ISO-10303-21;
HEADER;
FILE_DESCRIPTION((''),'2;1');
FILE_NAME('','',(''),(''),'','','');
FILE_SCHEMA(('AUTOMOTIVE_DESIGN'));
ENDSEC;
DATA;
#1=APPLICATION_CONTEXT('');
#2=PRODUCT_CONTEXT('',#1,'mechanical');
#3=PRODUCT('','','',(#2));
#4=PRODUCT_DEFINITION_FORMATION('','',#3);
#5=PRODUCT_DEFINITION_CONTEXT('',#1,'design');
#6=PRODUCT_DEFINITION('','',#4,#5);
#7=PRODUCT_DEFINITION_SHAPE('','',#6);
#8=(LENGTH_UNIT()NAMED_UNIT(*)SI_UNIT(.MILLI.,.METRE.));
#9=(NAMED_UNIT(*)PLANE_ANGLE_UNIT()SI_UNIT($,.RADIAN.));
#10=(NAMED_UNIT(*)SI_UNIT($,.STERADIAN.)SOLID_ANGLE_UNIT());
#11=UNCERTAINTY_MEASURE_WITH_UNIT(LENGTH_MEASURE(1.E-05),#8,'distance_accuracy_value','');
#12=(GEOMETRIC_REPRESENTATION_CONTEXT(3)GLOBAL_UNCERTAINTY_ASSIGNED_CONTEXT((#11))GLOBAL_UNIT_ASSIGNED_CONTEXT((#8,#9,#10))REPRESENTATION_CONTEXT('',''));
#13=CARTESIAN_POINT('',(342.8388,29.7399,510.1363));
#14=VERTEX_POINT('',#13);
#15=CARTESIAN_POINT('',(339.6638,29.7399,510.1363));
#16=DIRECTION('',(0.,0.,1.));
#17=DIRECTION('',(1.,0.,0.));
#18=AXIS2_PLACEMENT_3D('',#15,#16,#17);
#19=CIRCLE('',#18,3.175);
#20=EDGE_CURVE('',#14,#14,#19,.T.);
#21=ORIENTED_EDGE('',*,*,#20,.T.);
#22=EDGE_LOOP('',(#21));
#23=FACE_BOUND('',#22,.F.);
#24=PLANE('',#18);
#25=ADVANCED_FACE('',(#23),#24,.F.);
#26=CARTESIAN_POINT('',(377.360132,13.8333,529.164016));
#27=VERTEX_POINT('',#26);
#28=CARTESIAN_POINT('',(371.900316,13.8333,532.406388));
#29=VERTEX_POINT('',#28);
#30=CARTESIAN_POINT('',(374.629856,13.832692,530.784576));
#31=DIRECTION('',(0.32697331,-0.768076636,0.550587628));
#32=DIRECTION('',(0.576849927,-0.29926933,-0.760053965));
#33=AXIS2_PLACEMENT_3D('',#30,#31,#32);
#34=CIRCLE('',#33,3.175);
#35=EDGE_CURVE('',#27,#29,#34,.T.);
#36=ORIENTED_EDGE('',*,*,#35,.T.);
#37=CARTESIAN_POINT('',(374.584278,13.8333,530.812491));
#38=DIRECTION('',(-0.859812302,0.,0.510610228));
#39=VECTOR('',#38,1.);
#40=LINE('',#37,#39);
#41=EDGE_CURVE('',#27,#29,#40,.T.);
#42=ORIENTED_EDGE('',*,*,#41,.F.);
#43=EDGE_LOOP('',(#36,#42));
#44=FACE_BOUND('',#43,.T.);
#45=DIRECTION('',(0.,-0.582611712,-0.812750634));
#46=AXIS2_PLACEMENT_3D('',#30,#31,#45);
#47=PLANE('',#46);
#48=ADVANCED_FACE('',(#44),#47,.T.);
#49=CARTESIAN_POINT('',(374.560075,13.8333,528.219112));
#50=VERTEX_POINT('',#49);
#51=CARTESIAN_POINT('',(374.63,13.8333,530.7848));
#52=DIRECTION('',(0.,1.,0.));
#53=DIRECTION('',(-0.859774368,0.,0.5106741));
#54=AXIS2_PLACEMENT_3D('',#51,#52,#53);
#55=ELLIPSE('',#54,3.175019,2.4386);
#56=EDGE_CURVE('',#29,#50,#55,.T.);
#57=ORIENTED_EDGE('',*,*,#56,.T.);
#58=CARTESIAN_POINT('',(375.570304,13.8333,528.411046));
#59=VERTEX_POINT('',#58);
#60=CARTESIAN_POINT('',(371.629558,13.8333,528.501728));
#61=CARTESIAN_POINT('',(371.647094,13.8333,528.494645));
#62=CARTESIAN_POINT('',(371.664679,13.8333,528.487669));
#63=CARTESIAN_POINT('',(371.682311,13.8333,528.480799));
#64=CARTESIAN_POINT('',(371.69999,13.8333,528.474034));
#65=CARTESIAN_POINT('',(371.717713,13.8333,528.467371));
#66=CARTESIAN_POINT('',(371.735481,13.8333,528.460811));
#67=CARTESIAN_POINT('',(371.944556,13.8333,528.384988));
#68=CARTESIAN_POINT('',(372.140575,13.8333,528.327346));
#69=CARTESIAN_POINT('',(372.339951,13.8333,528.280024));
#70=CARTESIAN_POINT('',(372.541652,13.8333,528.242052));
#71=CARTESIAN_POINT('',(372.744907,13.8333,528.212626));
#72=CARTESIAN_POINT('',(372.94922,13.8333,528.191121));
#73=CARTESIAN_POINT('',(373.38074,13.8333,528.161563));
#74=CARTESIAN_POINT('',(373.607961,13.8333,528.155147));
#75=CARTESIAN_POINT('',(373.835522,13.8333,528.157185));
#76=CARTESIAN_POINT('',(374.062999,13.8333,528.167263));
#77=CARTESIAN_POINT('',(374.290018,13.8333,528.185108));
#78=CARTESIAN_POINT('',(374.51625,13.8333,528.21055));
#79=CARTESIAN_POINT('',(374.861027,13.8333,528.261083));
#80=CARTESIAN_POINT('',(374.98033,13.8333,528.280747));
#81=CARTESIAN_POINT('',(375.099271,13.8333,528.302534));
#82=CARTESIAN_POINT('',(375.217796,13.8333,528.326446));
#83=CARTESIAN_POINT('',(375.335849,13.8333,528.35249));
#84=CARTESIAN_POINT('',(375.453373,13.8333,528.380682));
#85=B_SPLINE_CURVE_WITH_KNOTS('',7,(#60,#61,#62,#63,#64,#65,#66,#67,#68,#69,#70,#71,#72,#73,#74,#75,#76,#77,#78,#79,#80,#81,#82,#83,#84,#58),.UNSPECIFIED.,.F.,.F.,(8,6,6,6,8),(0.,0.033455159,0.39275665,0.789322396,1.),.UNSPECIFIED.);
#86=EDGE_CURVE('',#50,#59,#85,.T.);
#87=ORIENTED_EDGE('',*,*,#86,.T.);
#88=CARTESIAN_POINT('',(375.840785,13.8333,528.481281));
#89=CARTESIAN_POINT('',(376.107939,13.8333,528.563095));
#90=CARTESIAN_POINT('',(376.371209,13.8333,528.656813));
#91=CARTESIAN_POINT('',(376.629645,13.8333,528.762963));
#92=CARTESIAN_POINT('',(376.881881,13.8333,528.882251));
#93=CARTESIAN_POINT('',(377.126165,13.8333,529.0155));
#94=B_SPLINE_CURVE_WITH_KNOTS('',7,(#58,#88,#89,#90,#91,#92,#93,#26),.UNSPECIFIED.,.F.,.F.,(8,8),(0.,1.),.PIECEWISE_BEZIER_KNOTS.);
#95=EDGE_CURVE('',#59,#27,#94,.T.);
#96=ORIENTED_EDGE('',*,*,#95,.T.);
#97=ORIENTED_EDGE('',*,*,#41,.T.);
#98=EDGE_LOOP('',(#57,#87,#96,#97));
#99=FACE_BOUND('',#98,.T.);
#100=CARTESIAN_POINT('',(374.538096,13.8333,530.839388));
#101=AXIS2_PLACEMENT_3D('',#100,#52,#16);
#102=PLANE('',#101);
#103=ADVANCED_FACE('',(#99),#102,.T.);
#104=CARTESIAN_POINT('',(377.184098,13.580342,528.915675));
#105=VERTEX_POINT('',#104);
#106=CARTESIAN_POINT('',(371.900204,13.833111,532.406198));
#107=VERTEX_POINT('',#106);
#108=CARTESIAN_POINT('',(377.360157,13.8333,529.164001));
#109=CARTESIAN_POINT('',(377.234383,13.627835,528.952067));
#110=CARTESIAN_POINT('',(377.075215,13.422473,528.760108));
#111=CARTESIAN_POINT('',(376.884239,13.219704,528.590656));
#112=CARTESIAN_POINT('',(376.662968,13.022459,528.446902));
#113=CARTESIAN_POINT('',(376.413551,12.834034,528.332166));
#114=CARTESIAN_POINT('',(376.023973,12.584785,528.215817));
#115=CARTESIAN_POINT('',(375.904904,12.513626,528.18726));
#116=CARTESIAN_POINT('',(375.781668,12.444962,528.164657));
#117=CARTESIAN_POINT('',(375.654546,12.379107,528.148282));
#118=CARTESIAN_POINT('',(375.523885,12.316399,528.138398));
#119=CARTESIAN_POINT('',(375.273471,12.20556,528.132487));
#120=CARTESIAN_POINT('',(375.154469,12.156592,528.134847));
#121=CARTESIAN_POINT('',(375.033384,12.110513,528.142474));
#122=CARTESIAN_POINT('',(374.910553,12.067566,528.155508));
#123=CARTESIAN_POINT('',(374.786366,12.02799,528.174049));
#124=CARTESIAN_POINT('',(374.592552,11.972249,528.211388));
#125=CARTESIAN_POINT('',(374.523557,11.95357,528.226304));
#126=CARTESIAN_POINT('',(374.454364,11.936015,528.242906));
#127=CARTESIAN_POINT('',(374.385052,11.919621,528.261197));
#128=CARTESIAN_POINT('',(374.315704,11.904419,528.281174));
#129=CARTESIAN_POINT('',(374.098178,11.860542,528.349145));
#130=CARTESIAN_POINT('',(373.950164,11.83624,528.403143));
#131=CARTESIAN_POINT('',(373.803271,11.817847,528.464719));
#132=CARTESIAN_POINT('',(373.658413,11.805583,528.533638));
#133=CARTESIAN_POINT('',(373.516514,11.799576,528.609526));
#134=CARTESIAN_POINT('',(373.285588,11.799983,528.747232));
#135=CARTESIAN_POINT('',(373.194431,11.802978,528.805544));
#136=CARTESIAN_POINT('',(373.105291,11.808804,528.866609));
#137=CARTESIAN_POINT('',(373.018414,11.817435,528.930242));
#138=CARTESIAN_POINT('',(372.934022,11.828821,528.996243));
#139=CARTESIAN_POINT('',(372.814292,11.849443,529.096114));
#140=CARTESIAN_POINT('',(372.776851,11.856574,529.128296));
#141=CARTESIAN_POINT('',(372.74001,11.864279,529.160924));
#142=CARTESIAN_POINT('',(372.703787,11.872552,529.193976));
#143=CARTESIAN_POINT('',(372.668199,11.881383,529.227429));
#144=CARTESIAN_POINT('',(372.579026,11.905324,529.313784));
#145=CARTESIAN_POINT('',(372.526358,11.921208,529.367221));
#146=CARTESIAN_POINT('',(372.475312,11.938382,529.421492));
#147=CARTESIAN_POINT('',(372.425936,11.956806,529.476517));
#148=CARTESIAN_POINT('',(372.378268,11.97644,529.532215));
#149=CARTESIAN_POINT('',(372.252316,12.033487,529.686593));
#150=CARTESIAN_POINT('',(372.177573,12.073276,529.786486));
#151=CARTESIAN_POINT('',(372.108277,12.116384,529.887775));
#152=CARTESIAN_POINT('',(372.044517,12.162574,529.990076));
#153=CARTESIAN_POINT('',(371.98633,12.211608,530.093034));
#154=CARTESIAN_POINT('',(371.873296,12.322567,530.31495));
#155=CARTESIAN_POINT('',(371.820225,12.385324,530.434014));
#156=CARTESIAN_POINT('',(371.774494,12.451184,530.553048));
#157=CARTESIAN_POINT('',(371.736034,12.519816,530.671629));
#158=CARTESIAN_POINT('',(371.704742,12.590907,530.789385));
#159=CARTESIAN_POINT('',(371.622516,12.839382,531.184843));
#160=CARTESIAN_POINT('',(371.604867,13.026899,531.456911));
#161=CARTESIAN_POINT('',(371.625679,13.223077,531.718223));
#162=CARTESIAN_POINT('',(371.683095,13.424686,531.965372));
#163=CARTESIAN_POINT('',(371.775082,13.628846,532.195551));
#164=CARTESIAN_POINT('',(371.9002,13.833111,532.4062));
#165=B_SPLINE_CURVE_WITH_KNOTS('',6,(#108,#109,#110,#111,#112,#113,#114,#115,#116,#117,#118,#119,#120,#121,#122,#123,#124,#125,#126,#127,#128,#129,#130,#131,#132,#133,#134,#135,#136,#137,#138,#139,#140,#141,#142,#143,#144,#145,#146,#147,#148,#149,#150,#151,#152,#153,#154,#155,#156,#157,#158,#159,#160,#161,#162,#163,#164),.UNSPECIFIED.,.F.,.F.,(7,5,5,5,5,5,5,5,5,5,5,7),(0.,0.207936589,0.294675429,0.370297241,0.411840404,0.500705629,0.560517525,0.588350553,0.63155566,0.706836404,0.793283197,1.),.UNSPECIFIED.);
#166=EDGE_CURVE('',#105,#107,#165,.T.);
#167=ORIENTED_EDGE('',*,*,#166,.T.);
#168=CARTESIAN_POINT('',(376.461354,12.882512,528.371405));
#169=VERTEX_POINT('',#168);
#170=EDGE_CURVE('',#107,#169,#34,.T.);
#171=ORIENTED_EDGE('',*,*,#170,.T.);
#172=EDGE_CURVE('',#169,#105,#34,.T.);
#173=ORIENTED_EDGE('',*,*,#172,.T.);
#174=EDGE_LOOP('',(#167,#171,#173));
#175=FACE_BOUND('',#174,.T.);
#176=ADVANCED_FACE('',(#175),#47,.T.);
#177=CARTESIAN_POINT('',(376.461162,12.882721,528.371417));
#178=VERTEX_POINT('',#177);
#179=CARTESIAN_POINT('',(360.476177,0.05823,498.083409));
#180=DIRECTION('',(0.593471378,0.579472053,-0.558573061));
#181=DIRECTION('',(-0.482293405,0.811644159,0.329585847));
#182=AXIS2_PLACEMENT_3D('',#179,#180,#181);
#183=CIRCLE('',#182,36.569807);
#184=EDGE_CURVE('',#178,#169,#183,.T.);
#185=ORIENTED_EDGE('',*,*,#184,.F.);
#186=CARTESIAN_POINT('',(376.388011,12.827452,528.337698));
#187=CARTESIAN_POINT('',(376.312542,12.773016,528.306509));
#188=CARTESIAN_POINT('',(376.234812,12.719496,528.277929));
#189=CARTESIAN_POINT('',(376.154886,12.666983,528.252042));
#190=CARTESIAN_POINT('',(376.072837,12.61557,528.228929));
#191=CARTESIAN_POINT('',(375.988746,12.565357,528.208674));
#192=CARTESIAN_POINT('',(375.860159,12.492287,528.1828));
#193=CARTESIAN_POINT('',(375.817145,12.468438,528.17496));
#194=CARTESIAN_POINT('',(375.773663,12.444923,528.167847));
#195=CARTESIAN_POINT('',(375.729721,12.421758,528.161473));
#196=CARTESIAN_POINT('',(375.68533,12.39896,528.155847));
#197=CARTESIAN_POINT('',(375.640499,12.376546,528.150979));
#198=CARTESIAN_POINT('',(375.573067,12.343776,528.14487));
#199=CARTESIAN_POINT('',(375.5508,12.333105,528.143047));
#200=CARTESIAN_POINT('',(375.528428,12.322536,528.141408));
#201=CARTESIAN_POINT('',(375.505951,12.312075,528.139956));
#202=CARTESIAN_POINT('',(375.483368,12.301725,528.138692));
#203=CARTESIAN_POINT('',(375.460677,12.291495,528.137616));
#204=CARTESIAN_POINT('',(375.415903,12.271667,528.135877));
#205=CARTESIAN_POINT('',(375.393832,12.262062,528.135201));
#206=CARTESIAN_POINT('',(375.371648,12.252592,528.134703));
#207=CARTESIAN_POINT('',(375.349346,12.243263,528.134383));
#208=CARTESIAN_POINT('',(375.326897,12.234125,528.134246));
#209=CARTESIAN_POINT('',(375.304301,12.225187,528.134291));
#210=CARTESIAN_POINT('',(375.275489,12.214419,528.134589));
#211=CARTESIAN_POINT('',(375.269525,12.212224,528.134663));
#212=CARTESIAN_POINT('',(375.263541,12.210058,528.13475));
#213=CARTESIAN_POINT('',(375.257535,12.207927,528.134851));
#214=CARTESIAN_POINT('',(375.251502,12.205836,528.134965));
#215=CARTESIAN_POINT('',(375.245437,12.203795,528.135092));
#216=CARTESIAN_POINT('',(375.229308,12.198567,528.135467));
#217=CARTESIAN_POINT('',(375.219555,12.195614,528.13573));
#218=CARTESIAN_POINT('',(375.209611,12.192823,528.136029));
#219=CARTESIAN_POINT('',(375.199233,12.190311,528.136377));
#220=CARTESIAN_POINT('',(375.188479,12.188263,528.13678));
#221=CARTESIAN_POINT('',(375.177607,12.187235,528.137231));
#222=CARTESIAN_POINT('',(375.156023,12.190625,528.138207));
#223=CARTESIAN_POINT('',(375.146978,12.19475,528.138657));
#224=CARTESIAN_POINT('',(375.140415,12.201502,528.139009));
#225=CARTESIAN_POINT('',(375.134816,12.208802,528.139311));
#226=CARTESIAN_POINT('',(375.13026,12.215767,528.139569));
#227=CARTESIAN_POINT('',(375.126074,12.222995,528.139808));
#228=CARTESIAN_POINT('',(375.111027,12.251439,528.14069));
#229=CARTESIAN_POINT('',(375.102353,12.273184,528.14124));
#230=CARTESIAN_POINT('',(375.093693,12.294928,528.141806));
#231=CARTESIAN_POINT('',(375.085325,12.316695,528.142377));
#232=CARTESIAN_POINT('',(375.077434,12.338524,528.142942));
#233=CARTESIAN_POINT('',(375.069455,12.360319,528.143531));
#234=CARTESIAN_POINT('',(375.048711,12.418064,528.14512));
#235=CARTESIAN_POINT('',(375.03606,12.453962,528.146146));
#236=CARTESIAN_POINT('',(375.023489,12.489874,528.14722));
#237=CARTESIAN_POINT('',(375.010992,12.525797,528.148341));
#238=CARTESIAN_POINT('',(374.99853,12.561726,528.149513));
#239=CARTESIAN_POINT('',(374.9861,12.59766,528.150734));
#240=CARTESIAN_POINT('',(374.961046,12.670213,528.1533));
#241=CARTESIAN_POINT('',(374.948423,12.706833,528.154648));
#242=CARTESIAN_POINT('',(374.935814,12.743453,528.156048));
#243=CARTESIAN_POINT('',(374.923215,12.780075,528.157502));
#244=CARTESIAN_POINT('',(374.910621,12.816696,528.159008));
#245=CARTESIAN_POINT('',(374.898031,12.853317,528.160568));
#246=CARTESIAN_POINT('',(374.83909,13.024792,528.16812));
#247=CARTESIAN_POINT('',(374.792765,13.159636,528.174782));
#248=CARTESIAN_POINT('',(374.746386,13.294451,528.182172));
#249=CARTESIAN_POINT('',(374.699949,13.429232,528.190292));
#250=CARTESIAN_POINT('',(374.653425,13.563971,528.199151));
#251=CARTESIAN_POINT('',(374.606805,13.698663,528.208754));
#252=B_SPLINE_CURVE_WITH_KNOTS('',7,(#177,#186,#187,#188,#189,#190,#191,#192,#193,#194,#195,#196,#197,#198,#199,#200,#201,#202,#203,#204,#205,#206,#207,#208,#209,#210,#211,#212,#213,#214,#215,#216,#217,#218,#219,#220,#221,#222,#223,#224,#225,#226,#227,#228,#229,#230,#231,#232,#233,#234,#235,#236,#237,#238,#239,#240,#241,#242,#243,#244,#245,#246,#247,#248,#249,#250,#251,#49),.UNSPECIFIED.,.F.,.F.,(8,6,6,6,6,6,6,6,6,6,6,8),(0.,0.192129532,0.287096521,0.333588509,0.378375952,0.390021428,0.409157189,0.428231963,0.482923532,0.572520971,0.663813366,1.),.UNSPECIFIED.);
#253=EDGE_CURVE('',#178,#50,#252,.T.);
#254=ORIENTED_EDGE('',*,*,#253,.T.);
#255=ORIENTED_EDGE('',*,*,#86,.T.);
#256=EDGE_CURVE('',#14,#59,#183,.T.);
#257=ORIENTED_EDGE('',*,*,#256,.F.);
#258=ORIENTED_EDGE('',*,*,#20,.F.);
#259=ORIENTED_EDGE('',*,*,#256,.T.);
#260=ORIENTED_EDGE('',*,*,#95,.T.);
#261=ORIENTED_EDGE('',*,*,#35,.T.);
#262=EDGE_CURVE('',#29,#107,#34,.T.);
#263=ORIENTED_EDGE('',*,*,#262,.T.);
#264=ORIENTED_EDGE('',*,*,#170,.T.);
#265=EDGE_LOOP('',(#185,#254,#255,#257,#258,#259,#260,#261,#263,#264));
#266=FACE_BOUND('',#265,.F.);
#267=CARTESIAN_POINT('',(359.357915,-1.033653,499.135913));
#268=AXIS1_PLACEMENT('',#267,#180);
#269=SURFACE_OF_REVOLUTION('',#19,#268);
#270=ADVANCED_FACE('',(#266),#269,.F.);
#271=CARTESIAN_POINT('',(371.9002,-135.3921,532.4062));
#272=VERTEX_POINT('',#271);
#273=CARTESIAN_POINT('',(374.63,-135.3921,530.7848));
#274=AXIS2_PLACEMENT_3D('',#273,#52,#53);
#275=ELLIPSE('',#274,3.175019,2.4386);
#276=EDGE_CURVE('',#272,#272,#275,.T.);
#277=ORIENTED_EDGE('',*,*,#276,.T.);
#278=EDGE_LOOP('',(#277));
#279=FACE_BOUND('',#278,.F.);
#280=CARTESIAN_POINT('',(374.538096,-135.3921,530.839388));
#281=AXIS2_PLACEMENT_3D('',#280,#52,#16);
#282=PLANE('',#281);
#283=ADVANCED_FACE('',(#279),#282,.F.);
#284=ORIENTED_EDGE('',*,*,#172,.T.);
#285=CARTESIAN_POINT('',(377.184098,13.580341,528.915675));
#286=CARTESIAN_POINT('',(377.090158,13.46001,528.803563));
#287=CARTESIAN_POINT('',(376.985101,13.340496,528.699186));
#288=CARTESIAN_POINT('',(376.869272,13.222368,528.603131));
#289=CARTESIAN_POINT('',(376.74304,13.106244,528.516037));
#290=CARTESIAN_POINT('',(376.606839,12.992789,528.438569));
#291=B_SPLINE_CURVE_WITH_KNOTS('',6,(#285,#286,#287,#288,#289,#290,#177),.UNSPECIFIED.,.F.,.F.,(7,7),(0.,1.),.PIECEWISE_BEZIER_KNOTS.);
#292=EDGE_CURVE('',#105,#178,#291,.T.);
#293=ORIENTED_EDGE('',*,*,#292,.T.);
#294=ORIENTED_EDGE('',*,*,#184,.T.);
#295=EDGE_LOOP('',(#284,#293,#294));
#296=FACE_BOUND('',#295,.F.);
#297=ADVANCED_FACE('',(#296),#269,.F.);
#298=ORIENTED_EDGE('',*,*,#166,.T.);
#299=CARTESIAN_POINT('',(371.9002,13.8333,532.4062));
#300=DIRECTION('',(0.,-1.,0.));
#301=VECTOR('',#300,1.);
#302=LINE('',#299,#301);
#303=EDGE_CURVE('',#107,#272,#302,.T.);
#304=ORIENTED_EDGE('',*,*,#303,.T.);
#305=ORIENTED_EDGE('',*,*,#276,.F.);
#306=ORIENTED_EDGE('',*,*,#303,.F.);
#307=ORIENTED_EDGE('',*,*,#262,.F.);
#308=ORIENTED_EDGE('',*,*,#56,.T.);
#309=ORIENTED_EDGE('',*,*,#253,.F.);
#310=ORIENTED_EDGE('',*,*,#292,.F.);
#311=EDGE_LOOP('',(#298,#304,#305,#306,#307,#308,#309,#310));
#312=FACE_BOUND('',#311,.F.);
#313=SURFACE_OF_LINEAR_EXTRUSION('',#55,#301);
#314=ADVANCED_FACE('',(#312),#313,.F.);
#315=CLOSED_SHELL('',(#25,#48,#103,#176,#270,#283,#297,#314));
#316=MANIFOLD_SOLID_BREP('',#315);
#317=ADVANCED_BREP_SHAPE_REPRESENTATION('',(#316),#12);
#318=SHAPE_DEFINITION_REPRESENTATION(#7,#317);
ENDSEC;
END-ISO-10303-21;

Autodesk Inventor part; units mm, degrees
ref_plane "YZ Plane" through (0, 0, 0) normal (1, 0, 0) x (0, 1, 0)
ref_plane "XZ Plane" through (0, 0, 0) normal (0, 1, 0) x (-1, 0, 0)
ref_plane "Work Plane1" through (339.6638, 29.7399, 510.1363) normal (0.5935, 0.5795, -0.5586) x (0.8017, -0.3644, 0.4737)
sketch "Sketch1" plane through (339.6638, 29.7399, 510.1363) normal (0.5935, 0.5795, -0.5586) x (0.8017, -0.3644, 0.4737)
  arc A0 (0, 0) -> (43.6121, 0.0184) centre (21.7928, 31.32) ccw
  point P0 (-503.1541, 344.9031)
ref_plane "Work Plane2" through (339.6638, 29.7399, 510.1363) normal (0, 0, 1) x (1, 0, 0)
sketch "Sketch2" plane through (339.6638, 29.7399, 510.1363) normal (0, 0, 1) x (1, 0, 0)
  circle A0 centre (0, 0) radius 3.175
  point P0 (-339.6638, -29.7399)
  dimension "d0" = 6.35
sweep "Sweep1" add profiles "Sketch2" path "Sketch1"
ref_plane "Work Plane3" through (238.0638, -135.3601, 829.2238) normal (0, 1, 0) x (-1, 0, 0)
sketch "Sketch3" plane through (238.0638, -135.3601, 829.2238) normal (0, 1, 0) x (-1, 0, 0)
  ellipse E0 centre (-136.5662, -298.439) end of major axis (-133.8364, -296.8176) minor radius 2.4386 projected
  point P0 (238.0638, -829.2238)
  point P1 (-138.3976, -300.8522)
ref_plane "Work Plane5" through (374.6299, -135.3601, 530.7847) normal (-1, 0, 0) x (0, -1, 0)
ref_plane "Work Plane4" through (390.4638, -33.7601, 524.4238) normal (-1, 0, 0) x (0, -1, 0)
sketch "Sketch4" plane through (374.6299, -135.3601, 530.7847) normal (-1, 0, 0) x (0, -1, 0)
  ellipse E0 centre (-149.1934, 0) end of major axis (-147.3437, -2.5805) minor radius 1.0383 projected
  line L0 (-149.1934, 0) -> (0.032, 0)
  point P0 (-135.3601, -530.7847)
  point P1 (-148.2433, -2.4132)
sketch "Sketch5" plane through (238.0638, -135.3601, 829.2238) normal (0, 1, 0) x (-1, 0, 0)
  circle A0 centre (-136.5873, -298.4534) radius 3.175
  point P0 (238.0638, -829.2238)
  dimension "d3" = 6.35
sweep "Sweep2" add profiles "Sketch3" path "Sketch4" path curves L0
properties part number "Pipe0"
